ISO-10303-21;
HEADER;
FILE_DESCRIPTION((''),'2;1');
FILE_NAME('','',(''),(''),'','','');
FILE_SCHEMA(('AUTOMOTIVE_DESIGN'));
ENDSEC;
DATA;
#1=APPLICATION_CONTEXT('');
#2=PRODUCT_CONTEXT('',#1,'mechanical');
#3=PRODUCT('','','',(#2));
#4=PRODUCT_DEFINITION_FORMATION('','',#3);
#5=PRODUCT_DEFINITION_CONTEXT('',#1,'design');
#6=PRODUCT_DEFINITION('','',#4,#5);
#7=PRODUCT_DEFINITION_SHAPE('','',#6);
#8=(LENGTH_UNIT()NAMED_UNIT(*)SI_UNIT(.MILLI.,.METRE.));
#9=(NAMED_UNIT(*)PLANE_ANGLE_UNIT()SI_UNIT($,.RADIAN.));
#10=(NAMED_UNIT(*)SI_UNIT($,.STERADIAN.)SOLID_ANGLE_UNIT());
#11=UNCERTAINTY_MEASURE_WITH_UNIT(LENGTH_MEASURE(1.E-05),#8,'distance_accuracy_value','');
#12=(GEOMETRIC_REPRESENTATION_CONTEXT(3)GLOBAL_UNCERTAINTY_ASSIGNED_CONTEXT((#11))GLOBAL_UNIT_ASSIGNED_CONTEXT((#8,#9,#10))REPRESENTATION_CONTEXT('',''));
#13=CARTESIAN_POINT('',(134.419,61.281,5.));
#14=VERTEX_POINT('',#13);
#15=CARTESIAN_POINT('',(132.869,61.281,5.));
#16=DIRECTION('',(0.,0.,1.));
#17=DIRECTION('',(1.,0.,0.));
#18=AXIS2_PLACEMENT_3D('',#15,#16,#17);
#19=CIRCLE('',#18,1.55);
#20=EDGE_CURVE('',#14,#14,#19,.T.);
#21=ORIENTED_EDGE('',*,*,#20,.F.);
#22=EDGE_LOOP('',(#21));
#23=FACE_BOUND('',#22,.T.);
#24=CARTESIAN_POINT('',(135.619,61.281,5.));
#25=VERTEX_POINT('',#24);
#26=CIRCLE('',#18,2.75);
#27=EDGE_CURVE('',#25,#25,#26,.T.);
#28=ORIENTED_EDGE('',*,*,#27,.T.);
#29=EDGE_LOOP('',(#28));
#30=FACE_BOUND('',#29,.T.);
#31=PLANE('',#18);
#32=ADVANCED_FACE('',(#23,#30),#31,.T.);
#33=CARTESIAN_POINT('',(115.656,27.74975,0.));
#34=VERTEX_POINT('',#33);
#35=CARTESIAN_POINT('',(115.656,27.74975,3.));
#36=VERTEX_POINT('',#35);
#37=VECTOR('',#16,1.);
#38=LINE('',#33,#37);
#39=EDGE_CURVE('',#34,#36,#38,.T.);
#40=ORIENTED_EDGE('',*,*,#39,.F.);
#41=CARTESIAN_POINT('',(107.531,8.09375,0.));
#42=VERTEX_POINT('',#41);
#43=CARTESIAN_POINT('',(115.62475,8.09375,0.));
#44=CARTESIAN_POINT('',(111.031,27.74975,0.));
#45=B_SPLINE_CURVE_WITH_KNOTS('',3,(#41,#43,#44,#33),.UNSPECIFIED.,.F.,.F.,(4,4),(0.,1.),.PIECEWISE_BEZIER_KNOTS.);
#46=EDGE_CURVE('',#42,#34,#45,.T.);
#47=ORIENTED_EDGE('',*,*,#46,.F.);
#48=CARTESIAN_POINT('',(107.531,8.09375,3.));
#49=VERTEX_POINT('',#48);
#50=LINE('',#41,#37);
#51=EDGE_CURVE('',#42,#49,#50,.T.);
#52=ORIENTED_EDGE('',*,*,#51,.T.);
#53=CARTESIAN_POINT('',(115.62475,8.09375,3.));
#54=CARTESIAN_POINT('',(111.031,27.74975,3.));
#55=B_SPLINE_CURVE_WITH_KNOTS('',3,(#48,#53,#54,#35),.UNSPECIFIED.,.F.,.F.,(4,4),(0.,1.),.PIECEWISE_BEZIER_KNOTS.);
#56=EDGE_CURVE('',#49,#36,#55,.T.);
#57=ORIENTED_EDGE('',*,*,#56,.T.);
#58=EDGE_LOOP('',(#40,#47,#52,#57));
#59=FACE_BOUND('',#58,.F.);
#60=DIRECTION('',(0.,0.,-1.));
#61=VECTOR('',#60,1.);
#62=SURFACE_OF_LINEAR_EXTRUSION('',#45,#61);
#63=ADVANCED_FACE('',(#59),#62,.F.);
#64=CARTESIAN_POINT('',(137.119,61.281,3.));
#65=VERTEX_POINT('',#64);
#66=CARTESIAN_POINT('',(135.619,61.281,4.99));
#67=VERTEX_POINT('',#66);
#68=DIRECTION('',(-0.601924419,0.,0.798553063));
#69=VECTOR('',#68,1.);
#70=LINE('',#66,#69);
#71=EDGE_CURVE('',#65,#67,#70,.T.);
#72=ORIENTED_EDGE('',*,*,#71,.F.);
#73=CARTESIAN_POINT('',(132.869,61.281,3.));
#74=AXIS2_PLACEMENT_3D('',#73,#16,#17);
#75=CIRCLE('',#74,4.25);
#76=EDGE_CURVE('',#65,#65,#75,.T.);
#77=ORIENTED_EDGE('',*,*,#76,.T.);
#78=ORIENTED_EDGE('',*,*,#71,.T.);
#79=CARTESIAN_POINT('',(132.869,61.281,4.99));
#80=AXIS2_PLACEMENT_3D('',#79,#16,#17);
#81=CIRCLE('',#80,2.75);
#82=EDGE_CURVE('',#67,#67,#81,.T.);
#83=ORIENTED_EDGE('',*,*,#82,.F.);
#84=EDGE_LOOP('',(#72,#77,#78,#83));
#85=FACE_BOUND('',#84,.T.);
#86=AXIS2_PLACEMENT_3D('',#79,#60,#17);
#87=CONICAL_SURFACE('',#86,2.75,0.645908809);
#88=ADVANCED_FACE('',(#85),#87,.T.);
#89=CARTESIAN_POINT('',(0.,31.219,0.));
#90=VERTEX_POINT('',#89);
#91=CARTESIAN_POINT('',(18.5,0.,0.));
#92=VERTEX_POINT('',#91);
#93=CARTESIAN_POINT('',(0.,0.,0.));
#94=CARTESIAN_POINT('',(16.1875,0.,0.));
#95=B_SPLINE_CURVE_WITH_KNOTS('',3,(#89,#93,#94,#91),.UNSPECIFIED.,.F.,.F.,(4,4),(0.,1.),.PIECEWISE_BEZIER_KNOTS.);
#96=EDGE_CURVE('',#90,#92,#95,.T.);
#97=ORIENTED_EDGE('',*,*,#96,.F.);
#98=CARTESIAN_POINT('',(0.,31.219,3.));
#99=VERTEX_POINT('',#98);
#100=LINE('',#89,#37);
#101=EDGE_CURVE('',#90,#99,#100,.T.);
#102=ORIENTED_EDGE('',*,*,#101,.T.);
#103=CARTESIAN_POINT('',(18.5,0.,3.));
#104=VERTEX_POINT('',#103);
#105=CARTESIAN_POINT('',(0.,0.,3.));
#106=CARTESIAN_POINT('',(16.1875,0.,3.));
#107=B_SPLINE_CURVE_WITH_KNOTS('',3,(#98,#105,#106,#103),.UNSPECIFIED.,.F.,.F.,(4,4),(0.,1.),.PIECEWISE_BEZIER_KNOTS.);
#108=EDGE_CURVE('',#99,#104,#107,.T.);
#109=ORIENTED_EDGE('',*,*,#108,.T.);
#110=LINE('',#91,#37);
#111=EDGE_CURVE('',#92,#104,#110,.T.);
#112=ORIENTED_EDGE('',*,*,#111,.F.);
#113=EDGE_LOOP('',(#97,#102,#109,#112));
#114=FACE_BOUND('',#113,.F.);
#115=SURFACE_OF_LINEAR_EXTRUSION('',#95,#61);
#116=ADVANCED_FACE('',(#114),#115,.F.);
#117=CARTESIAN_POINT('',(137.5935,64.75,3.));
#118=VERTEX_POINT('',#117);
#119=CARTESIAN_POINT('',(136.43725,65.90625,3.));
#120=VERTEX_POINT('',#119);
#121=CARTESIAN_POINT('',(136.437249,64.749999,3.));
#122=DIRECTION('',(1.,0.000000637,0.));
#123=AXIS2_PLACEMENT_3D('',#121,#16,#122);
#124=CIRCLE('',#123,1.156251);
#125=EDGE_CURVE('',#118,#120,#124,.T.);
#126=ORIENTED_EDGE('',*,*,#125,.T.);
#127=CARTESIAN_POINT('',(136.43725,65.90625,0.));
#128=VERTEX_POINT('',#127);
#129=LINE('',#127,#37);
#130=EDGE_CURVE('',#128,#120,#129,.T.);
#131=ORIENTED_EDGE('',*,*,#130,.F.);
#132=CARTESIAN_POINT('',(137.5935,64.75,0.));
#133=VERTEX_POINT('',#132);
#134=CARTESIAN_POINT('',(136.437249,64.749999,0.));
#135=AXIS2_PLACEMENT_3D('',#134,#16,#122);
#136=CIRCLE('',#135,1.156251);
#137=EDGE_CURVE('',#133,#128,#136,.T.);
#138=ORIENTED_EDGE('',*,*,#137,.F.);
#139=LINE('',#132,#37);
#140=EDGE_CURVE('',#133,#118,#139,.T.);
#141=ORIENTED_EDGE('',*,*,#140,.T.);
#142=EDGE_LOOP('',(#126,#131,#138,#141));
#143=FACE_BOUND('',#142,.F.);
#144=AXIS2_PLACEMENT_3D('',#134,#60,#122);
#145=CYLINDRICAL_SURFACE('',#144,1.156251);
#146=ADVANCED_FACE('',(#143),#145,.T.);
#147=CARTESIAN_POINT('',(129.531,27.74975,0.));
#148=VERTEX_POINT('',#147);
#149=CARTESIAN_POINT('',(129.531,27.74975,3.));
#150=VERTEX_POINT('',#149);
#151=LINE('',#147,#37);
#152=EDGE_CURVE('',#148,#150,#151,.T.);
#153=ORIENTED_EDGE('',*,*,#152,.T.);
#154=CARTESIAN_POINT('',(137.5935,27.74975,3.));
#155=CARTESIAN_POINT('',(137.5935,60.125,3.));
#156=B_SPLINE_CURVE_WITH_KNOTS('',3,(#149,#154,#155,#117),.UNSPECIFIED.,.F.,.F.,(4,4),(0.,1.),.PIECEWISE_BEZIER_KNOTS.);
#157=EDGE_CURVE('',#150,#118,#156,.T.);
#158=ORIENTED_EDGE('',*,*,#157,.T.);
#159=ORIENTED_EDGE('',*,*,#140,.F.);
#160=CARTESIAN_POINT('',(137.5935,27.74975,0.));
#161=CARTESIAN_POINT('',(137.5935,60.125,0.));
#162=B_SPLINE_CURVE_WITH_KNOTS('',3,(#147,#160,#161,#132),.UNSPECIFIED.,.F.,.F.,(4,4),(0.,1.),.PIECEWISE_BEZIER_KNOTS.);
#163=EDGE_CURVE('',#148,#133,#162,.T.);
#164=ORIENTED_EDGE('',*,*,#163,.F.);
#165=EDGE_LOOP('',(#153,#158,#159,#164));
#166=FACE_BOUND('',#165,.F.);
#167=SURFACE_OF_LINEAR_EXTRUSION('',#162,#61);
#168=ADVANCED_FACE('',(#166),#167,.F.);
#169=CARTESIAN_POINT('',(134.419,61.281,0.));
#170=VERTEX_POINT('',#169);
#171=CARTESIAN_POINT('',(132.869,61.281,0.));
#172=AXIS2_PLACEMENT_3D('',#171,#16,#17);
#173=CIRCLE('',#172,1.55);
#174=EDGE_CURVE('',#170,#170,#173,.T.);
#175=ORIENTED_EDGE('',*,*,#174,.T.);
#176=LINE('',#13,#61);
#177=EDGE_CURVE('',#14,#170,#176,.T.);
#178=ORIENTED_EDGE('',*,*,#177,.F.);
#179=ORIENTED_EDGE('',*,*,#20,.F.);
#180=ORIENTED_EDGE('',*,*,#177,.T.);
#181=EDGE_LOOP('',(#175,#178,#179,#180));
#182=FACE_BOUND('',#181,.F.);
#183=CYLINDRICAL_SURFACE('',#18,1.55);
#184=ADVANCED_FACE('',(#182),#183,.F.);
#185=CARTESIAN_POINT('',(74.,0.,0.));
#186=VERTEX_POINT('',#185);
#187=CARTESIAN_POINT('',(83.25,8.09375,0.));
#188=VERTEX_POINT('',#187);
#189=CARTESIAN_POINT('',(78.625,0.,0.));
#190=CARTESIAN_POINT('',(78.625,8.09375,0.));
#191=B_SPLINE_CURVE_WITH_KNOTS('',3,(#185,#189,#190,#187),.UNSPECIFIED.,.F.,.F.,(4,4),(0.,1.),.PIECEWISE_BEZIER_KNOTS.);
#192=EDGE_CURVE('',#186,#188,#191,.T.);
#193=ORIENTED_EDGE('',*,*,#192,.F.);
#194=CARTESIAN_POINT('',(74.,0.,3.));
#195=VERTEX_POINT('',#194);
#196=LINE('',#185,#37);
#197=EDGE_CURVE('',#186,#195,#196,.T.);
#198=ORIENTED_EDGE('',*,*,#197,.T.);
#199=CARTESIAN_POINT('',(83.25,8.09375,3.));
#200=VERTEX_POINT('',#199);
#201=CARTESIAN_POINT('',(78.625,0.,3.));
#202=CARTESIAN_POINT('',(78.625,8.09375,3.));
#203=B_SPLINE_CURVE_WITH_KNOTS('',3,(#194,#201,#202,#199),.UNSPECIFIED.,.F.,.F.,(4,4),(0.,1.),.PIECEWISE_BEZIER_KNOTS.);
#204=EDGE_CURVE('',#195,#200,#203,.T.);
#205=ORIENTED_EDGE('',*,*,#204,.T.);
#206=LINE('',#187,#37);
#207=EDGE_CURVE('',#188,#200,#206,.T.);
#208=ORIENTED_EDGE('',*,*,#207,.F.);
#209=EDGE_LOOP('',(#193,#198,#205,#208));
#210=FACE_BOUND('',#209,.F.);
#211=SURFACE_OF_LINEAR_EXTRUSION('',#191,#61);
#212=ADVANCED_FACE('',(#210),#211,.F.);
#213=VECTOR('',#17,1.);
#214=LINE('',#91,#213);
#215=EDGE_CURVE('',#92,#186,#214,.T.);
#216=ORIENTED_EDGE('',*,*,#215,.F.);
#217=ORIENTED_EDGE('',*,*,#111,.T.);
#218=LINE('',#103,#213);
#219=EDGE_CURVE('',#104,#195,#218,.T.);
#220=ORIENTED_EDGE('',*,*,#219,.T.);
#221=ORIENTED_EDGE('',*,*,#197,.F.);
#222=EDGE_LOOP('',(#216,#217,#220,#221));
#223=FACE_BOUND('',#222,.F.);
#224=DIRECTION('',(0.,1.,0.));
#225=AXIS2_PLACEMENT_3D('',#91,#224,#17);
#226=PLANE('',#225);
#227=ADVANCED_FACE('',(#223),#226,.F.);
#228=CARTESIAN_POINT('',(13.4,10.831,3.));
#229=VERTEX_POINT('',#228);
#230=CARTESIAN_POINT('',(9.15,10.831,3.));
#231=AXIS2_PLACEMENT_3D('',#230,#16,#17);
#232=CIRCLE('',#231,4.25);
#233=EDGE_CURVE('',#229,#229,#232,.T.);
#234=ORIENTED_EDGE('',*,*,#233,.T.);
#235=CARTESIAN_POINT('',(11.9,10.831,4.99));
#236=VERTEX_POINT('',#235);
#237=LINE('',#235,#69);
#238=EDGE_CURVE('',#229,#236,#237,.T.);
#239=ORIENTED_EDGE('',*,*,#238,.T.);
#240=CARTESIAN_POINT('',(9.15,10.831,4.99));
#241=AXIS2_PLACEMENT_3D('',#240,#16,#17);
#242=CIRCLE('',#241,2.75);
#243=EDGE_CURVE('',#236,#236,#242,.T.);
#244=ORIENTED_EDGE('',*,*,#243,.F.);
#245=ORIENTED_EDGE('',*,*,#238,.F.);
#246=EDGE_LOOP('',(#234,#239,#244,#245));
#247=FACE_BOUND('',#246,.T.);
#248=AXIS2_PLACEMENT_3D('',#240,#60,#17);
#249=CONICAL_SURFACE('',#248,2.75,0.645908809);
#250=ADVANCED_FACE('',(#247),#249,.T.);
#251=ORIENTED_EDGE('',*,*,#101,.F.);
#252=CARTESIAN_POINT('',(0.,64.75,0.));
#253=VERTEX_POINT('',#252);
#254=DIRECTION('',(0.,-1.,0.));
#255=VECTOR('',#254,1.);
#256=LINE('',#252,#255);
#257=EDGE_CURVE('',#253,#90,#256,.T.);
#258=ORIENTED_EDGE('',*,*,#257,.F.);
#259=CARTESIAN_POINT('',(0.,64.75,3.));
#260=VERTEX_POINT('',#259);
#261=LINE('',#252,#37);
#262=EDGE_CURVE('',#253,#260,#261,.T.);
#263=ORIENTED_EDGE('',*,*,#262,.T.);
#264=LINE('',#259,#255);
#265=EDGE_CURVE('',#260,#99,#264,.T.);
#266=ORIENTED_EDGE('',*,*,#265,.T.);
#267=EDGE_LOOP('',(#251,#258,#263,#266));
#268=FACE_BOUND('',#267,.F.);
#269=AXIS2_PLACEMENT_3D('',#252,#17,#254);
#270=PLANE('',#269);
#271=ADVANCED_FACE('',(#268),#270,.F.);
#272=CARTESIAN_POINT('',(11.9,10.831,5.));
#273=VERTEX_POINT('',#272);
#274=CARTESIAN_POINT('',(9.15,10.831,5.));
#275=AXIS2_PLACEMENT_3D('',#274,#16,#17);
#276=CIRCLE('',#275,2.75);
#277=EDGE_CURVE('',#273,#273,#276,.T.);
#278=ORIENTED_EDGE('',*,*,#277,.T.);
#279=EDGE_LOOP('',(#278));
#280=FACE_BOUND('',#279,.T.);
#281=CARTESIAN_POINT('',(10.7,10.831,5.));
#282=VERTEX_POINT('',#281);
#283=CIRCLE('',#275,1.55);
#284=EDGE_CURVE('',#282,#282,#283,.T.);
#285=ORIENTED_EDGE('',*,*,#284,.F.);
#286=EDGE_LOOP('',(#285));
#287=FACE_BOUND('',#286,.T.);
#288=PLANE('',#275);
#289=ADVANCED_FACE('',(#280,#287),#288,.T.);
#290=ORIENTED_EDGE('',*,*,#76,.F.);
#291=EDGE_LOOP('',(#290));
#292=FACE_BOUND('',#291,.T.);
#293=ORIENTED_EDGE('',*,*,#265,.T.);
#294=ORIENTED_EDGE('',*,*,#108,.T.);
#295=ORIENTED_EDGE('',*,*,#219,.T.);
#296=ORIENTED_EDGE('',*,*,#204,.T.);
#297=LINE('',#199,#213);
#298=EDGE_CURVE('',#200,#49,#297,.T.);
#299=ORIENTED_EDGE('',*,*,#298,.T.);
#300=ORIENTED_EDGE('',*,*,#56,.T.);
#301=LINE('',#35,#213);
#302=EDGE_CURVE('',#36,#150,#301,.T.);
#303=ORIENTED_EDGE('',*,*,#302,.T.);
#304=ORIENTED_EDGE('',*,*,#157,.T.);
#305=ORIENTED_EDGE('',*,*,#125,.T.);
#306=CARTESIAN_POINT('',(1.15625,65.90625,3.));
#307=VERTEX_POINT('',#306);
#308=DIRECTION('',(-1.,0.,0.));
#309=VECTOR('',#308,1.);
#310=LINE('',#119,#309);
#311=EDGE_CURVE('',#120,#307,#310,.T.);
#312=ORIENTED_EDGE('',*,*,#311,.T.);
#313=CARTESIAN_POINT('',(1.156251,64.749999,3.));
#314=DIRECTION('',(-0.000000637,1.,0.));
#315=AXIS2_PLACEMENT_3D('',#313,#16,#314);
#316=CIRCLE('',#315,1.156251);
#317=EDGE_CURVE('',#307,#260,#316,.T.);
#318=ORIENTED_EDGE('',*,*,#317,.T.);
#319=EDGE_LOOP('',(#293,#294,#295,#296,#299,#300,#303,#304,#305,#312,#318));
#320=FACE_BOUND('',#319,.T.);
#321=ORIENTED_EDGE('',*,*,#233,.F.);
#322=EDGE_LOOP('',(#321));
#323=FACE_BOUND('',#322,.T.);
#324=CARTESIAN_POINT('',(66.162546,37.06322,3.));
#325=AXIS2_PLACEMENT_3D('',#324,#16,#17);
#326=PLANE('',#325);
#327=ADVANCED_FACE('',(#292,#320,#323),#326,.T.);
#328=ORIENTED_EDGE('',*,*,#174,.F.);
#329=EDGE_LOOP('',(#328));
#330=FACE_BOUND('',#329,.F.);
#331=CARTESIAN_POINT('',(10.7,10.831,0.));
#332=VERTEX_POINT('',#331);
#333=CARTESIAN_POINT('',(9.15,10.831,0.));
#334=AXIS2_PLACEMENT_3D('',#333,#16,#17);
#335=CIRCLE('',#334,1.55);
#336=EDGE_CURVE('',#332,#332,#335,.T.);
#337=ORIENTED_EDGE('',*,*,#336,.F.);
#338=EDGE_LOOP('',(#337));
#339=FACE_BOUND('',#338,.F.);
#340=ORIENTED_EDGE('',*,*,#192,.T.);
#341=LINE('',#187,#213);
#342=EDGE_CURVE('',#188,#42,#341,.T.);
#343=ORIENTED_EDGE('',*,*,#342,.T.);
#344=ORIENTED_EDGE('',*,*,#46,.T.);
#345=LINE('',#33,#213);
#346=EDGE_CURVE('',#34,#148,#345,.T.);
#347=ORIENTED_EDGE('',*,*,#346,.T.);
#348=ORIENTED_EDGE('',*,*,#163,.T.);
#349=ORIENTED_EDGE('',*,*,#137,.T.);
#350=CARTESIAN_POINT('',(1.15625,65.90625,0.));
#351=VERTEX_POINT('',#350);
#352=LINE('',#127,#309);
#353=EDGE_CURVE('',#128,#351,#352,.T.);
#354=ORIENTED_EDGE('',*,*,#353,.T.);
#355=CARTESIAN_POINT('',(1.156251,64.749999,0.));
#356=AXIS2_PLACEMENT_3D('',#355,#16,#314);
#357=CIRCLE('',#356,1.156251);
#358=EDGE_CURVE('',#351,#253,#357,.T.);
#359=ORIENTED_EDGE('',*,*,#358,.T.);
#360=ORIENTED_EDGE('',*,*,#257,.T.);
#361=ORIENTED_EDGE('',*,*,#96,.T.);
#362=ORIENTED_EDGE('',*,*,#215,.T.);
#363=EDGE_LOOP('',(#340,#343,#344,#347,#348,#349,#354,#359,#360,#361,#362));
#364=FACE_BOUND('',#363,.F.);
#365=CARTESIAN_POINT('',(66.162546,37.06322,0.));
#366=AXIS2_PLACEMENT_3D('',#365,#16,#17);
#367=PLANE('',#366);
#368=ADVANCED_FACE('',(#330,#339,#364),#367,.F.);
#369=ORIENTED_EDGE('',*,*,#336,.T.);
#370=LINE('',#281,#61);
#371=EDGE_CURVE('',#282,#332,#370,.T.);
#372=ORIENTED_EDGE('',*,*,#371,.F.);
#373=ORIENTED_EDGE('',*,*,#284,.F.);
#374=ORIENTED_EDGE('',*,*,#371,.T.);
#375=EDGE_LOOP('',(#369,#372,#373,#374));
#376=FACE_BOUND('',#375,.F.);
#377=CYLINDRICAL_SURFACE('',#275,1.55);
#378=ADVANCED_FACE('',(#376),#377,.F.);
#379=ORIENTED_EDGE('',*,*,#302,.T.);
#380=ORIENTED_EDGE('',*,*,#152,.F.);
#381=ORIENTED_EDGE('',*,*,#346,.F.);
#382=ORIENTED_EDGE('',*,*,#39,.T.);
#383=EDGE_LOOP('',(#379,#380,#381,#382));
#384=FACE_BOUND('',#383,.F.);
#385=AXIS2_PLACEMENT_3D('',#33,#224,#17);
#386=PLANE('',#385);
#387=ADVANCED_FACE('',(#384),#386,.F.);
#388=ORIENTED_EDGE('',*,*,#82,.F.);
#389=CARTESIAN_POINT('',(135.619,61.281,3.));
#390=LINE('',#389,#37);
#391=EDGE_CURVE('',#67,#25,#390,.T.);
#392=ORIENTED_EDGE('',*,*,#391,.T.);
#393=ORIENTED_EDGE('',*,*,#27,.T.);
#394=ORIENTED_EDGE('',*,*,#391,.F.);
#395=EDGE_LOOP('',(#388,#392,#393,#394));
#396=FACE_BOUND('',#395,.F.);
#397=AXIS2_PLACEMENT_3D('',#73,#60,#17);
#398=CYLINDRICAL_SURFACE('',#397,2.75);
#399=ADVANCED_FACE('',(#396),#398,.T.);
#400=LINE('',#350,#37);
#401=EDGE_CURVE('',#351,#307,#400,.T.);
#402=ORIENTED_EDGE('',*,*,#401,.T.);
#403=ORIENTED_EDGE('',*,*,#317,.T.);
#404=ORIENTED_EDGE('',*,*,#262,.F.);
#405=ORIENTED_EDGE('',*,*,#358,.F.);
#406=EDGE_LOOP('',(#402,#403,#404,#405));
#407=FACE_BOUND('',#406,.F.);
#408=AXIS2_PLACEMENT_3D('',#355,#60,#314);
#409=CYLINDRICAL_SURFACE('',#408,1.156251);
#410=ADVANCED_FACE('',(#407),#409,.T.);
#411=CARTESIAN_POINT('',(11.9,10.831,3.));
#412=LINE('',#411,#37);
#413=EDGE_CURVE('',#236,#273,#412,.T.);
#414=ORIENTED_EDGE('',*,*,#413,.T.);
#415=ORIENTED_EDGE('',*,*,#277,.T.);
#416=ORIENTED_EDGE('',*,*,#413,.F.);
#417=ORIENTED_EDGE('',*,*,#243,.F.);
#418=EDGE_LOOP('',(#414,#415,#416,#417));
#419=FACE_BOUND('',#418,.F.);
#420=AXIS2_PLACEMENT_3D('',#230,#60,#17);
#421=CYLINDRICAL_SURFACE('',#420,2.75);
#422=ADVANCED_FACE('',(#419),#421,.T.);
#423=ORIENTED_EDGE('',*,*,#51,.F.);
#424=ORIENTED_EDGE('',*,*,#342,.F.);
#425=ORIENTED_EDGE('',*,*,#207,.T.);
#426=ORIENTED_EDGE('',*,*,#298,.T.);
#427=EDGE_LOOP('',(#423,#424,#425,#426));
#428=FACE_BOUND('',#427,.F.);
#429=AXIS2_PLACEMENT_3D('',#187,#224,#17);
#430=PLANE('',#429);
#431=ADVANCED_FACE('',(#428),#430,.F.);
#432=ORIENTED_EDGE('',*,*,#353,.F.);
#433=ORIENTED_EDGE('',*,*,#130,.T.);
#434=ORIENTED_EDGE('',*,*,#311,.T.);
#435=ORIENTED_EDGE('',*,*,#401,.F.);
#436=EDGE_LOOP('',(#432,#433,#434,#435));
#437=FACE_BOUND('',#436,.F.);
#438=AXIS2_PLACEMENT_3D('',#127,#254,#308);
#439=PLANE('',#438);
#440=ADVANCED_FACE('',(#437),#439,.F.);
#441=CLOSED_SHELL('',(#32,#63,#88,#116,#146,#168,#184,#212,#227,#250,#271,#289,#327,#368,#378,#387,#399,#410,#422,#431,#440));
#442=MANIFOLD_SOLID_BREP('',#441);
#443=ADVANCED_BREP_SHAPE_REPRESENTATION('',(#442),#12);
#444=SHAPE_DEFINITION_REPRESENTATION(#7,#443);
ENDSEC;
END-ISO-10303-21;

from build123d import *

# Parameters (mm, degrees)
PAD_DEPTH     = 3
SKETCH002_R   = 2.75
PAD002_DEPTH  = 2
CHAMFER_SIZE2 = 1.99
CHAMFER_SIZE  = 1.5
SKETCH005_R   = 1.55
POCKET_DEPTH  = 5


with BuildPart() as part:
    # Sketch → Pad (new body)
    with BuildSketch(Plane.XY):
        with BuildLine():
            Line((0, 64.75), (0, 31.219))
            add(Edge.make_bspline(
                [(0, 31.219), (0, 0), (16.1875, 0), (18.5, 0)],
                knots=[0, 0, 0, 0, 1, 1, 1, 1], degree=3))
            Line((18.5, 0), (74, 0))
            add(Edge.make_bspline(
                [(74, 0), (78.625, 0), (78.625, 8.09375), (83.25, 8.09375)],
                knots=[0, 0, 0, 0, 1, 1, 1, 1], degree=3))
            Line((83.25, 8.09375), (107.531, 8.09375))
            add(Edge.make_bspline(
                [(107.531, 8.09375), (115.62475, 8.09375), (111.031, 27.74975), (115.656, 27.74975)],
                knots=[0, 0, 0, 0, 1, 1, 1, 1], degree=3))
            Line((115.656, 27.74975), (129.531, 27.74975))
            add(Edge.make_bspline(
                [(129.531, 27.74975), (137.5935, 27.74975), (137.5935, 60.125), (137.5935, 64.75)],
                knots=[0, 0, 0, 0, 1, 1, 1, 1], degree=3))
            ThreePointArc((137.5935, 64.75), (137.254842, 65.567592), (136.43725, 65.90625))
            Line((136.43725, 65.90625), (1.15625, 65.90625))
            ThreePointArc((1.15625, 65.90625), (0.338658, 65.567592), (0, 64.75))
        make_face()
    extrude(amount=PAD_DEPTH)

    # Sketch002 (on Face13 of Pad) → Pad002 (join)
    with BuildSketch(Plane.XY.offset(3)):
        with Locations((9.15, 10.831)):
            Circle(SKETCH002_R)
        with Locations((132.869, 61.281)):
            Circle(SKETCH002_R)
    extrude(amount=PAD002_DEPTH)

    # Chamfer
    chamfer_edges = [part.edges().sort_by_distance(p)[0] for p in [
        (6.4, 10.831, 3),
        (130.119, 61.281, 3),
    ]]
    chamfer_side = part.faces().sort_by_distance((63.310609, 35.968212, 3))[0]
    chamfer(chamfer_edges, length=CHAMFER_SIZE, length2=CHAMFER_SIZE2, reference=chamfer_side)

    # Sketch005 (on Face18 of Chamfer) → Pocket (cut)
    with BuildSketch(Plane.XY.offset(5)):
        with Locations((9.15, 10.831)):
            Circle(SKETCH005_R)
        with Locations((132.869, 61.281)):
            Circle(SKETCH005_R)
    extrude(amount=-POCKET_DEPTH, mode=Mode.SUBTRACT)


solid = part.part
